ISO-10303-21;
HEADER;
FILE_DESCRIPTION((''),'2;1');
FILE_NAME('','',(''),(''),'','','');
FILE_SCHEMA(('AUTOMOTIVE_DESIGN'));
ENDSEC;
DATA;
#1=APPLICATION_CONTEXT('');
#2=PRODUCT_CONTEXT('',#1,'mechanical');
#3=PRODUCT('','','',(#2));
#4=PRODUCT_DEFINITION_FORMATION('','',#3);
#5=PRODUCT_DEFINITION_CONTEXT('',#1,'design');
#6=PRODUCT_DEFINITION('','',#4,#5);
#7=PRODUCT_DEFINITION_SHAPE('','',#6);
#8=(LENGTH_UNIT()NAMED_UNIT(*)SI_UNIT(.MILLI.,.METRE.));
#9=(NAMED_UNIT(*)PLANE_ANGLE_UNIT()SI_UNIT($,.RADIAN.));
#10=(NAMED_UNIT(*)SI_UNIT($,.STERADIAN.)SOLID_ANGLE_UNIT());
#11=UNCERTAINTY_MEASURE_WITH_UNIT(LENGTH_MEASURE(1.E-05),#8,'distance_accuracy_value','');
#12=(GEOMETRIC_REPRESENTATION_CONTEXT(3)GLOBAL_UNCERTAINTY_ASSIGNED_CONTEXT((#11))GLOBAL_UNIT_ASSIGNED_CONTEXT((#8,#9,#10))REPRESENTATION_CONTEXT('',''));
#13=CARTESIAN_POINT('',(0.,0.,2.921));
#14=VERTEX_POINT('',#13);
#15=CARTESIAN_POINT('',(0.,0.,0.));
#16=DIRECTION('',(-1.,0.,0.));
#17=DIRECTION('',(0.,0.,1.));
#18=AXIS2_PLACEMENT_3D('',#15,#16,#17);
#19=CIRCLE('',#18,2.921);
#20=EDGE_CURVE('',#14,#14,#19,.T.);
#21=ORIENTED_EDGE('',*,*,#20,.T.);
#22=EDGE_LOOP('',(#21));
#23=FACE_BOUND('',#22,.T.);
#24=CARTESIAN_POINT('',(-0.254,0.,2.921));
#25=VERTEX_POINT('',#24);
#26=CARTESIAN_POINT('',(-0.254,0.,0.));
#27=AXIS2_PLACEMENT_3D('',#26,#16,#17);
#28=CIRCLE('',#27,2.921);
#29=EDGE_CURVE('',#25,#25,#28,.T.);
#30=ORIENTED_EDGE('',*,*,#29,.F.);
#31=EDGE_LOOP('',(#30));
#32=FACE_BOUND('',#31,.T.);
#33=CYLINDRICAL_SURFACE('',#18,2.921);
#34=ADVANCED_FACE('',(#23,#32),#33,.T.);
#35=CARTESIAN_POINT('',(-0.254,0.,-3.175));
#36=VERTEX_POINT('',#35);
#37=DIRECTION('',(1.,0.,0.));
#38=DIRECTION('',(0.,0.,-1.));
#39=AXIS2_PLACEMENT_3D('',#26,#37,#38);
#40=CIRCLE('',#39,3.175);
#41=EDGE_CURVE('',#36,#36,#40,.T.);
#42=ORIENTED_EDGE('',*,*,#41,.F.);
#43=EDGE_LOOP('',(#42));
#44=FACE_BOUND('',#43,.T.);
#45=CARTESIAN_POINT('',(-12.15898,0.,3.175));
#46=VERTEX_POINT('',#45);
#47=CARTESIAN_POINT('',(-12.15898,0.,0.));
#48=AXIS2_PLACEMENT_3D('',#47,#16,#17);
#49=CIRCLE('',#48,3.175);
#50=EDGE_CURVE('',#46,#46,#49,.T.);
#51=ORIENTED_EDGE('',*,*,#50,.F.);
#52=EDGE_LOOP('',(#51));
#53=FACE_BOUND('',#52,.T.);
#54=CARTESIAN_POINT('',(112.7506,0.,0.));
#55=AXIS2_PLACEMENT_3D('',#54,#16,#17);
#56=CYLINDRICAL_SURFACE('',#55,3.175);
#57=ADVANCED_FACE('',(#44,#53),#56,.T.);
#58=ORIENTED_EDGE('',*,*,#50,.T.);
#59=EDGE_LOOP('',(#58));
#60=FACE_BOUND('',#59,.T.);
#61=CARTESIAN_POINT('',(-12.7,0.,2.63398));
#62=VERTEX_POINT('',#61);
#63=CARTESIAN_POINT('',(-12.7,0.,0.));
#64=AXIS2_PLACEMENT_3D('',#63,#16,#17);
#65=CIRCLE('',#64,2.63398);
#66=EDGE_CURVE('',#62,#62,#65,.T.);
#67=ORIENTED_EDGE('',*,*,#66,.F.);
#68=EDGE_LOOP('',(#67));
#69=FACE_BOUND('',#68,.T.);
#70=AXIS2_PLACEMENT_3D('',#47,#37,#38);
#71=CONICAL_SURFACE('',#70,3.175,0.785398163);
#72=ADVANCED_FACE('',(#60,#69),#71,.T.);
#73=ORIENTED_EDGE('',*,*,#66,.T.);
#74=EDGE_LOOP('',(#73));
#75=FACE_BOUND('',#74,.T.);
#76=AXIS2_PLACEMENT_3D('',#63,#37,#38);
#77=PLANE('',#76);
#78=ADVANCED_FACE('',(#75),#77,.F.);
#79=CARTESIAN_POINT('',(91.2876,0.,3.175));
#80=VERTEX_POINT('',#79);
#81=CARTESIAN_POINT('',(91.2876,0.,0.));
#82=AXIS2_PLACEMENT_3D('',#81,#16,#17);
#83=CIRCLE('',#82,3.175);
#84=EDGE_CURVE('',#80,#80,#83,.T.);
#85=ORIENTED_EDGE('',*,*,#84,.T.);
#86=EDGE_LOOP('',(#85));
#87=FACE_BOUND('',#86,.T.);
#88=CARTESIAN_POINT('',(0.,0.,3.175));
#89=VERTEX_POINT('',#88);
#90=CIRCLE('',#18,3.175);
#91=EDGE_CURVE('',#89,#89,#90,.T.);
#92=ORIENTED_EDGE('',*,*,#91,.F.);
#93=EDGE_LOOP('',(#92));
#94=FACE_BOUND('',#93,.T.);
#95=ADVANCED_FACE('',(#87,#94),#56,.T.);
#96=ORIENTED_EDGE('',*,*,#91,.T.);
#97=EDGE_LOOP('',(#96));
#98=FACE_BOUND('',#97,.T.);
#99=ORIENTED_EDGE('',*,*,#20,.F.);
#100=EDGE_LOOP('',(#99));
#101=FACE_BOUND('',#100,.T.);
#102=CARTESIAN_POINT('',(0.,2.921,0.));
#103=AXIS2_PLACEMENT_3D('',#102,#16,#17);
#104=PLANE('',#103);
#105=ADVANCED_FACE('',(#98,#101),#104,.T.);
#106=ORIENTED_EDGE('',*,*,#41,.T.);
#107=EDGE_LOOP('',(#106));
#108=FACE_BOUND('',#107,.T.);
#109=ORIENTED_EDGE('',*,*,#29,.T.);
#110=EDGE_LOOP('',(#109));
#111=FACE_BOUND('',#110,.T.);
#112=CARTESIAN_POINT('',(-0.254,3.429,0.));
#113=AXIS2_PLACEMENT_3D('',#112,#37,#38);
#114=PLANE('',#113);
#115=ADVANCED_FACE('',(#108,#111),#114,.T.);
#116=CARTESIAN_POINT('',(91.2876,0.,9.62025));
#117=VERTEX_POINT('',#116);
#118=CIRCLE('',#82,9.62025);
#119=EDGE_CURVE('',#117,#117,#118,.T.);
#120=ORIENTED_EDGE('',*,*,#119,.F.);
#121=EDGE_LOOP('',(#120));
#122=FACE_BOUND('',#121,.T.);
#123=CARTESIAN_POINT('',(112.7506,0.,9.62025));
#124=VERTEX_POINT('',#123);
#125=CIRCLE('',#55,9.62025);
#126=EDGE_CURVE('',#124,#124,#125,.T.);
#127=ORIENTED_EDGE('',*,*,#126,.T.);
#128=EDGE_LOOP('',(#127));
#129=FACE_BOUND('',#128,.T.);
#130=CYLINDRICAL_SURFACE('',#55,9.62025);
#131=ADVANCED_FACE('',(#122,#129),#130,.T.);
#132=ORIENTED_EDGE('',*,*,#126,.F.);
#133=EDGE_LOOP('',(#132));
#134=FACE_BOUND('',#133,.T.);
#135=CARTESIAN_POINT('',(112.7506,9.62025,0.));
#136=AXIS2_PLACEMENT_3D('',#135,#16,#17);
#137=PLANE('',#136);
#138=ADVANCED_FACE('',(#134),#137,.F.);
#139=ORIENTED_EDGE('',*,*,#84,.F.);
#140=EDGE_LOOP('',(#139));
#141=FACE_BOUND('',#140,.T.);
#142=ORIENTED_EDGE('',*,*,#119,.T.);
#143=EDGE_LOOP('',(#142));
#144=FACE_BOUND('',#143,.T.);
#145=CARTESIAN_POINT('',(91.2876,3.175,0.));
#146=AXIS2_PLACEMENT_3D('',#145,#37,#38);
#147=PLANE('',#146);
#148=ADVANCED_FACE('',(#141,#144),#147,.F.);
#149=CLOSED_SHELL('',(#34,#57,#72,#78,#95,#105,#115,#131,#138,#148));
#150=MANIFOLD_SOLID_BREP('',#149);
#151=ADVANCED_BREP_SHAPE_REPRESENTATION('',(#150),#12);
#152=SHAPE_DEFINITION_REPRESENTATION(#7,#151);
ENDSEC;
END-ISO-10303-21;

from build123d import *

# Parameters (mm, degrees)
SKETCH3_W = 0.254
SKETCH3_H = 0.508


with BuildPart() as part:
    # Sketch1 → Revolve1 (revolve)
    with BuildSketch(Plane.XY):
        Polygon((0, 0), (0, 3.175), (91.2876, 3.175), (91.2876, 9.62025), (112.7506, 9.62025), (112.7506, 0), align=None)
    revolve(axis=Axis((112.7506, 0, 0), (-1, 0, 0)))

    # Sketch2 → Revolve2 (revolve)
    with BuildSketch(Plane.XY):
        Polygon((-12.7, 0), (-12.7, 2.63398), (-12.15898, 3.175), (0, 3.175), (0, 0), align=None)
    revolve(axis=Axis((0, 0, 0), (-1, 0, 0)))

    # Sketch3 → Cut-Revolve1 (revolve, cut)
    with BuildSketch(Plane.XY):
        with Locations((-0.127, 3.175)):
            Rectangle(SKETCH3_W, SKETCH3_H)
    revolve(axis=Axis((0, 0, 0), (-1, 0, 0)), mode=Mode.SUBTRACT)


solid = part.part
